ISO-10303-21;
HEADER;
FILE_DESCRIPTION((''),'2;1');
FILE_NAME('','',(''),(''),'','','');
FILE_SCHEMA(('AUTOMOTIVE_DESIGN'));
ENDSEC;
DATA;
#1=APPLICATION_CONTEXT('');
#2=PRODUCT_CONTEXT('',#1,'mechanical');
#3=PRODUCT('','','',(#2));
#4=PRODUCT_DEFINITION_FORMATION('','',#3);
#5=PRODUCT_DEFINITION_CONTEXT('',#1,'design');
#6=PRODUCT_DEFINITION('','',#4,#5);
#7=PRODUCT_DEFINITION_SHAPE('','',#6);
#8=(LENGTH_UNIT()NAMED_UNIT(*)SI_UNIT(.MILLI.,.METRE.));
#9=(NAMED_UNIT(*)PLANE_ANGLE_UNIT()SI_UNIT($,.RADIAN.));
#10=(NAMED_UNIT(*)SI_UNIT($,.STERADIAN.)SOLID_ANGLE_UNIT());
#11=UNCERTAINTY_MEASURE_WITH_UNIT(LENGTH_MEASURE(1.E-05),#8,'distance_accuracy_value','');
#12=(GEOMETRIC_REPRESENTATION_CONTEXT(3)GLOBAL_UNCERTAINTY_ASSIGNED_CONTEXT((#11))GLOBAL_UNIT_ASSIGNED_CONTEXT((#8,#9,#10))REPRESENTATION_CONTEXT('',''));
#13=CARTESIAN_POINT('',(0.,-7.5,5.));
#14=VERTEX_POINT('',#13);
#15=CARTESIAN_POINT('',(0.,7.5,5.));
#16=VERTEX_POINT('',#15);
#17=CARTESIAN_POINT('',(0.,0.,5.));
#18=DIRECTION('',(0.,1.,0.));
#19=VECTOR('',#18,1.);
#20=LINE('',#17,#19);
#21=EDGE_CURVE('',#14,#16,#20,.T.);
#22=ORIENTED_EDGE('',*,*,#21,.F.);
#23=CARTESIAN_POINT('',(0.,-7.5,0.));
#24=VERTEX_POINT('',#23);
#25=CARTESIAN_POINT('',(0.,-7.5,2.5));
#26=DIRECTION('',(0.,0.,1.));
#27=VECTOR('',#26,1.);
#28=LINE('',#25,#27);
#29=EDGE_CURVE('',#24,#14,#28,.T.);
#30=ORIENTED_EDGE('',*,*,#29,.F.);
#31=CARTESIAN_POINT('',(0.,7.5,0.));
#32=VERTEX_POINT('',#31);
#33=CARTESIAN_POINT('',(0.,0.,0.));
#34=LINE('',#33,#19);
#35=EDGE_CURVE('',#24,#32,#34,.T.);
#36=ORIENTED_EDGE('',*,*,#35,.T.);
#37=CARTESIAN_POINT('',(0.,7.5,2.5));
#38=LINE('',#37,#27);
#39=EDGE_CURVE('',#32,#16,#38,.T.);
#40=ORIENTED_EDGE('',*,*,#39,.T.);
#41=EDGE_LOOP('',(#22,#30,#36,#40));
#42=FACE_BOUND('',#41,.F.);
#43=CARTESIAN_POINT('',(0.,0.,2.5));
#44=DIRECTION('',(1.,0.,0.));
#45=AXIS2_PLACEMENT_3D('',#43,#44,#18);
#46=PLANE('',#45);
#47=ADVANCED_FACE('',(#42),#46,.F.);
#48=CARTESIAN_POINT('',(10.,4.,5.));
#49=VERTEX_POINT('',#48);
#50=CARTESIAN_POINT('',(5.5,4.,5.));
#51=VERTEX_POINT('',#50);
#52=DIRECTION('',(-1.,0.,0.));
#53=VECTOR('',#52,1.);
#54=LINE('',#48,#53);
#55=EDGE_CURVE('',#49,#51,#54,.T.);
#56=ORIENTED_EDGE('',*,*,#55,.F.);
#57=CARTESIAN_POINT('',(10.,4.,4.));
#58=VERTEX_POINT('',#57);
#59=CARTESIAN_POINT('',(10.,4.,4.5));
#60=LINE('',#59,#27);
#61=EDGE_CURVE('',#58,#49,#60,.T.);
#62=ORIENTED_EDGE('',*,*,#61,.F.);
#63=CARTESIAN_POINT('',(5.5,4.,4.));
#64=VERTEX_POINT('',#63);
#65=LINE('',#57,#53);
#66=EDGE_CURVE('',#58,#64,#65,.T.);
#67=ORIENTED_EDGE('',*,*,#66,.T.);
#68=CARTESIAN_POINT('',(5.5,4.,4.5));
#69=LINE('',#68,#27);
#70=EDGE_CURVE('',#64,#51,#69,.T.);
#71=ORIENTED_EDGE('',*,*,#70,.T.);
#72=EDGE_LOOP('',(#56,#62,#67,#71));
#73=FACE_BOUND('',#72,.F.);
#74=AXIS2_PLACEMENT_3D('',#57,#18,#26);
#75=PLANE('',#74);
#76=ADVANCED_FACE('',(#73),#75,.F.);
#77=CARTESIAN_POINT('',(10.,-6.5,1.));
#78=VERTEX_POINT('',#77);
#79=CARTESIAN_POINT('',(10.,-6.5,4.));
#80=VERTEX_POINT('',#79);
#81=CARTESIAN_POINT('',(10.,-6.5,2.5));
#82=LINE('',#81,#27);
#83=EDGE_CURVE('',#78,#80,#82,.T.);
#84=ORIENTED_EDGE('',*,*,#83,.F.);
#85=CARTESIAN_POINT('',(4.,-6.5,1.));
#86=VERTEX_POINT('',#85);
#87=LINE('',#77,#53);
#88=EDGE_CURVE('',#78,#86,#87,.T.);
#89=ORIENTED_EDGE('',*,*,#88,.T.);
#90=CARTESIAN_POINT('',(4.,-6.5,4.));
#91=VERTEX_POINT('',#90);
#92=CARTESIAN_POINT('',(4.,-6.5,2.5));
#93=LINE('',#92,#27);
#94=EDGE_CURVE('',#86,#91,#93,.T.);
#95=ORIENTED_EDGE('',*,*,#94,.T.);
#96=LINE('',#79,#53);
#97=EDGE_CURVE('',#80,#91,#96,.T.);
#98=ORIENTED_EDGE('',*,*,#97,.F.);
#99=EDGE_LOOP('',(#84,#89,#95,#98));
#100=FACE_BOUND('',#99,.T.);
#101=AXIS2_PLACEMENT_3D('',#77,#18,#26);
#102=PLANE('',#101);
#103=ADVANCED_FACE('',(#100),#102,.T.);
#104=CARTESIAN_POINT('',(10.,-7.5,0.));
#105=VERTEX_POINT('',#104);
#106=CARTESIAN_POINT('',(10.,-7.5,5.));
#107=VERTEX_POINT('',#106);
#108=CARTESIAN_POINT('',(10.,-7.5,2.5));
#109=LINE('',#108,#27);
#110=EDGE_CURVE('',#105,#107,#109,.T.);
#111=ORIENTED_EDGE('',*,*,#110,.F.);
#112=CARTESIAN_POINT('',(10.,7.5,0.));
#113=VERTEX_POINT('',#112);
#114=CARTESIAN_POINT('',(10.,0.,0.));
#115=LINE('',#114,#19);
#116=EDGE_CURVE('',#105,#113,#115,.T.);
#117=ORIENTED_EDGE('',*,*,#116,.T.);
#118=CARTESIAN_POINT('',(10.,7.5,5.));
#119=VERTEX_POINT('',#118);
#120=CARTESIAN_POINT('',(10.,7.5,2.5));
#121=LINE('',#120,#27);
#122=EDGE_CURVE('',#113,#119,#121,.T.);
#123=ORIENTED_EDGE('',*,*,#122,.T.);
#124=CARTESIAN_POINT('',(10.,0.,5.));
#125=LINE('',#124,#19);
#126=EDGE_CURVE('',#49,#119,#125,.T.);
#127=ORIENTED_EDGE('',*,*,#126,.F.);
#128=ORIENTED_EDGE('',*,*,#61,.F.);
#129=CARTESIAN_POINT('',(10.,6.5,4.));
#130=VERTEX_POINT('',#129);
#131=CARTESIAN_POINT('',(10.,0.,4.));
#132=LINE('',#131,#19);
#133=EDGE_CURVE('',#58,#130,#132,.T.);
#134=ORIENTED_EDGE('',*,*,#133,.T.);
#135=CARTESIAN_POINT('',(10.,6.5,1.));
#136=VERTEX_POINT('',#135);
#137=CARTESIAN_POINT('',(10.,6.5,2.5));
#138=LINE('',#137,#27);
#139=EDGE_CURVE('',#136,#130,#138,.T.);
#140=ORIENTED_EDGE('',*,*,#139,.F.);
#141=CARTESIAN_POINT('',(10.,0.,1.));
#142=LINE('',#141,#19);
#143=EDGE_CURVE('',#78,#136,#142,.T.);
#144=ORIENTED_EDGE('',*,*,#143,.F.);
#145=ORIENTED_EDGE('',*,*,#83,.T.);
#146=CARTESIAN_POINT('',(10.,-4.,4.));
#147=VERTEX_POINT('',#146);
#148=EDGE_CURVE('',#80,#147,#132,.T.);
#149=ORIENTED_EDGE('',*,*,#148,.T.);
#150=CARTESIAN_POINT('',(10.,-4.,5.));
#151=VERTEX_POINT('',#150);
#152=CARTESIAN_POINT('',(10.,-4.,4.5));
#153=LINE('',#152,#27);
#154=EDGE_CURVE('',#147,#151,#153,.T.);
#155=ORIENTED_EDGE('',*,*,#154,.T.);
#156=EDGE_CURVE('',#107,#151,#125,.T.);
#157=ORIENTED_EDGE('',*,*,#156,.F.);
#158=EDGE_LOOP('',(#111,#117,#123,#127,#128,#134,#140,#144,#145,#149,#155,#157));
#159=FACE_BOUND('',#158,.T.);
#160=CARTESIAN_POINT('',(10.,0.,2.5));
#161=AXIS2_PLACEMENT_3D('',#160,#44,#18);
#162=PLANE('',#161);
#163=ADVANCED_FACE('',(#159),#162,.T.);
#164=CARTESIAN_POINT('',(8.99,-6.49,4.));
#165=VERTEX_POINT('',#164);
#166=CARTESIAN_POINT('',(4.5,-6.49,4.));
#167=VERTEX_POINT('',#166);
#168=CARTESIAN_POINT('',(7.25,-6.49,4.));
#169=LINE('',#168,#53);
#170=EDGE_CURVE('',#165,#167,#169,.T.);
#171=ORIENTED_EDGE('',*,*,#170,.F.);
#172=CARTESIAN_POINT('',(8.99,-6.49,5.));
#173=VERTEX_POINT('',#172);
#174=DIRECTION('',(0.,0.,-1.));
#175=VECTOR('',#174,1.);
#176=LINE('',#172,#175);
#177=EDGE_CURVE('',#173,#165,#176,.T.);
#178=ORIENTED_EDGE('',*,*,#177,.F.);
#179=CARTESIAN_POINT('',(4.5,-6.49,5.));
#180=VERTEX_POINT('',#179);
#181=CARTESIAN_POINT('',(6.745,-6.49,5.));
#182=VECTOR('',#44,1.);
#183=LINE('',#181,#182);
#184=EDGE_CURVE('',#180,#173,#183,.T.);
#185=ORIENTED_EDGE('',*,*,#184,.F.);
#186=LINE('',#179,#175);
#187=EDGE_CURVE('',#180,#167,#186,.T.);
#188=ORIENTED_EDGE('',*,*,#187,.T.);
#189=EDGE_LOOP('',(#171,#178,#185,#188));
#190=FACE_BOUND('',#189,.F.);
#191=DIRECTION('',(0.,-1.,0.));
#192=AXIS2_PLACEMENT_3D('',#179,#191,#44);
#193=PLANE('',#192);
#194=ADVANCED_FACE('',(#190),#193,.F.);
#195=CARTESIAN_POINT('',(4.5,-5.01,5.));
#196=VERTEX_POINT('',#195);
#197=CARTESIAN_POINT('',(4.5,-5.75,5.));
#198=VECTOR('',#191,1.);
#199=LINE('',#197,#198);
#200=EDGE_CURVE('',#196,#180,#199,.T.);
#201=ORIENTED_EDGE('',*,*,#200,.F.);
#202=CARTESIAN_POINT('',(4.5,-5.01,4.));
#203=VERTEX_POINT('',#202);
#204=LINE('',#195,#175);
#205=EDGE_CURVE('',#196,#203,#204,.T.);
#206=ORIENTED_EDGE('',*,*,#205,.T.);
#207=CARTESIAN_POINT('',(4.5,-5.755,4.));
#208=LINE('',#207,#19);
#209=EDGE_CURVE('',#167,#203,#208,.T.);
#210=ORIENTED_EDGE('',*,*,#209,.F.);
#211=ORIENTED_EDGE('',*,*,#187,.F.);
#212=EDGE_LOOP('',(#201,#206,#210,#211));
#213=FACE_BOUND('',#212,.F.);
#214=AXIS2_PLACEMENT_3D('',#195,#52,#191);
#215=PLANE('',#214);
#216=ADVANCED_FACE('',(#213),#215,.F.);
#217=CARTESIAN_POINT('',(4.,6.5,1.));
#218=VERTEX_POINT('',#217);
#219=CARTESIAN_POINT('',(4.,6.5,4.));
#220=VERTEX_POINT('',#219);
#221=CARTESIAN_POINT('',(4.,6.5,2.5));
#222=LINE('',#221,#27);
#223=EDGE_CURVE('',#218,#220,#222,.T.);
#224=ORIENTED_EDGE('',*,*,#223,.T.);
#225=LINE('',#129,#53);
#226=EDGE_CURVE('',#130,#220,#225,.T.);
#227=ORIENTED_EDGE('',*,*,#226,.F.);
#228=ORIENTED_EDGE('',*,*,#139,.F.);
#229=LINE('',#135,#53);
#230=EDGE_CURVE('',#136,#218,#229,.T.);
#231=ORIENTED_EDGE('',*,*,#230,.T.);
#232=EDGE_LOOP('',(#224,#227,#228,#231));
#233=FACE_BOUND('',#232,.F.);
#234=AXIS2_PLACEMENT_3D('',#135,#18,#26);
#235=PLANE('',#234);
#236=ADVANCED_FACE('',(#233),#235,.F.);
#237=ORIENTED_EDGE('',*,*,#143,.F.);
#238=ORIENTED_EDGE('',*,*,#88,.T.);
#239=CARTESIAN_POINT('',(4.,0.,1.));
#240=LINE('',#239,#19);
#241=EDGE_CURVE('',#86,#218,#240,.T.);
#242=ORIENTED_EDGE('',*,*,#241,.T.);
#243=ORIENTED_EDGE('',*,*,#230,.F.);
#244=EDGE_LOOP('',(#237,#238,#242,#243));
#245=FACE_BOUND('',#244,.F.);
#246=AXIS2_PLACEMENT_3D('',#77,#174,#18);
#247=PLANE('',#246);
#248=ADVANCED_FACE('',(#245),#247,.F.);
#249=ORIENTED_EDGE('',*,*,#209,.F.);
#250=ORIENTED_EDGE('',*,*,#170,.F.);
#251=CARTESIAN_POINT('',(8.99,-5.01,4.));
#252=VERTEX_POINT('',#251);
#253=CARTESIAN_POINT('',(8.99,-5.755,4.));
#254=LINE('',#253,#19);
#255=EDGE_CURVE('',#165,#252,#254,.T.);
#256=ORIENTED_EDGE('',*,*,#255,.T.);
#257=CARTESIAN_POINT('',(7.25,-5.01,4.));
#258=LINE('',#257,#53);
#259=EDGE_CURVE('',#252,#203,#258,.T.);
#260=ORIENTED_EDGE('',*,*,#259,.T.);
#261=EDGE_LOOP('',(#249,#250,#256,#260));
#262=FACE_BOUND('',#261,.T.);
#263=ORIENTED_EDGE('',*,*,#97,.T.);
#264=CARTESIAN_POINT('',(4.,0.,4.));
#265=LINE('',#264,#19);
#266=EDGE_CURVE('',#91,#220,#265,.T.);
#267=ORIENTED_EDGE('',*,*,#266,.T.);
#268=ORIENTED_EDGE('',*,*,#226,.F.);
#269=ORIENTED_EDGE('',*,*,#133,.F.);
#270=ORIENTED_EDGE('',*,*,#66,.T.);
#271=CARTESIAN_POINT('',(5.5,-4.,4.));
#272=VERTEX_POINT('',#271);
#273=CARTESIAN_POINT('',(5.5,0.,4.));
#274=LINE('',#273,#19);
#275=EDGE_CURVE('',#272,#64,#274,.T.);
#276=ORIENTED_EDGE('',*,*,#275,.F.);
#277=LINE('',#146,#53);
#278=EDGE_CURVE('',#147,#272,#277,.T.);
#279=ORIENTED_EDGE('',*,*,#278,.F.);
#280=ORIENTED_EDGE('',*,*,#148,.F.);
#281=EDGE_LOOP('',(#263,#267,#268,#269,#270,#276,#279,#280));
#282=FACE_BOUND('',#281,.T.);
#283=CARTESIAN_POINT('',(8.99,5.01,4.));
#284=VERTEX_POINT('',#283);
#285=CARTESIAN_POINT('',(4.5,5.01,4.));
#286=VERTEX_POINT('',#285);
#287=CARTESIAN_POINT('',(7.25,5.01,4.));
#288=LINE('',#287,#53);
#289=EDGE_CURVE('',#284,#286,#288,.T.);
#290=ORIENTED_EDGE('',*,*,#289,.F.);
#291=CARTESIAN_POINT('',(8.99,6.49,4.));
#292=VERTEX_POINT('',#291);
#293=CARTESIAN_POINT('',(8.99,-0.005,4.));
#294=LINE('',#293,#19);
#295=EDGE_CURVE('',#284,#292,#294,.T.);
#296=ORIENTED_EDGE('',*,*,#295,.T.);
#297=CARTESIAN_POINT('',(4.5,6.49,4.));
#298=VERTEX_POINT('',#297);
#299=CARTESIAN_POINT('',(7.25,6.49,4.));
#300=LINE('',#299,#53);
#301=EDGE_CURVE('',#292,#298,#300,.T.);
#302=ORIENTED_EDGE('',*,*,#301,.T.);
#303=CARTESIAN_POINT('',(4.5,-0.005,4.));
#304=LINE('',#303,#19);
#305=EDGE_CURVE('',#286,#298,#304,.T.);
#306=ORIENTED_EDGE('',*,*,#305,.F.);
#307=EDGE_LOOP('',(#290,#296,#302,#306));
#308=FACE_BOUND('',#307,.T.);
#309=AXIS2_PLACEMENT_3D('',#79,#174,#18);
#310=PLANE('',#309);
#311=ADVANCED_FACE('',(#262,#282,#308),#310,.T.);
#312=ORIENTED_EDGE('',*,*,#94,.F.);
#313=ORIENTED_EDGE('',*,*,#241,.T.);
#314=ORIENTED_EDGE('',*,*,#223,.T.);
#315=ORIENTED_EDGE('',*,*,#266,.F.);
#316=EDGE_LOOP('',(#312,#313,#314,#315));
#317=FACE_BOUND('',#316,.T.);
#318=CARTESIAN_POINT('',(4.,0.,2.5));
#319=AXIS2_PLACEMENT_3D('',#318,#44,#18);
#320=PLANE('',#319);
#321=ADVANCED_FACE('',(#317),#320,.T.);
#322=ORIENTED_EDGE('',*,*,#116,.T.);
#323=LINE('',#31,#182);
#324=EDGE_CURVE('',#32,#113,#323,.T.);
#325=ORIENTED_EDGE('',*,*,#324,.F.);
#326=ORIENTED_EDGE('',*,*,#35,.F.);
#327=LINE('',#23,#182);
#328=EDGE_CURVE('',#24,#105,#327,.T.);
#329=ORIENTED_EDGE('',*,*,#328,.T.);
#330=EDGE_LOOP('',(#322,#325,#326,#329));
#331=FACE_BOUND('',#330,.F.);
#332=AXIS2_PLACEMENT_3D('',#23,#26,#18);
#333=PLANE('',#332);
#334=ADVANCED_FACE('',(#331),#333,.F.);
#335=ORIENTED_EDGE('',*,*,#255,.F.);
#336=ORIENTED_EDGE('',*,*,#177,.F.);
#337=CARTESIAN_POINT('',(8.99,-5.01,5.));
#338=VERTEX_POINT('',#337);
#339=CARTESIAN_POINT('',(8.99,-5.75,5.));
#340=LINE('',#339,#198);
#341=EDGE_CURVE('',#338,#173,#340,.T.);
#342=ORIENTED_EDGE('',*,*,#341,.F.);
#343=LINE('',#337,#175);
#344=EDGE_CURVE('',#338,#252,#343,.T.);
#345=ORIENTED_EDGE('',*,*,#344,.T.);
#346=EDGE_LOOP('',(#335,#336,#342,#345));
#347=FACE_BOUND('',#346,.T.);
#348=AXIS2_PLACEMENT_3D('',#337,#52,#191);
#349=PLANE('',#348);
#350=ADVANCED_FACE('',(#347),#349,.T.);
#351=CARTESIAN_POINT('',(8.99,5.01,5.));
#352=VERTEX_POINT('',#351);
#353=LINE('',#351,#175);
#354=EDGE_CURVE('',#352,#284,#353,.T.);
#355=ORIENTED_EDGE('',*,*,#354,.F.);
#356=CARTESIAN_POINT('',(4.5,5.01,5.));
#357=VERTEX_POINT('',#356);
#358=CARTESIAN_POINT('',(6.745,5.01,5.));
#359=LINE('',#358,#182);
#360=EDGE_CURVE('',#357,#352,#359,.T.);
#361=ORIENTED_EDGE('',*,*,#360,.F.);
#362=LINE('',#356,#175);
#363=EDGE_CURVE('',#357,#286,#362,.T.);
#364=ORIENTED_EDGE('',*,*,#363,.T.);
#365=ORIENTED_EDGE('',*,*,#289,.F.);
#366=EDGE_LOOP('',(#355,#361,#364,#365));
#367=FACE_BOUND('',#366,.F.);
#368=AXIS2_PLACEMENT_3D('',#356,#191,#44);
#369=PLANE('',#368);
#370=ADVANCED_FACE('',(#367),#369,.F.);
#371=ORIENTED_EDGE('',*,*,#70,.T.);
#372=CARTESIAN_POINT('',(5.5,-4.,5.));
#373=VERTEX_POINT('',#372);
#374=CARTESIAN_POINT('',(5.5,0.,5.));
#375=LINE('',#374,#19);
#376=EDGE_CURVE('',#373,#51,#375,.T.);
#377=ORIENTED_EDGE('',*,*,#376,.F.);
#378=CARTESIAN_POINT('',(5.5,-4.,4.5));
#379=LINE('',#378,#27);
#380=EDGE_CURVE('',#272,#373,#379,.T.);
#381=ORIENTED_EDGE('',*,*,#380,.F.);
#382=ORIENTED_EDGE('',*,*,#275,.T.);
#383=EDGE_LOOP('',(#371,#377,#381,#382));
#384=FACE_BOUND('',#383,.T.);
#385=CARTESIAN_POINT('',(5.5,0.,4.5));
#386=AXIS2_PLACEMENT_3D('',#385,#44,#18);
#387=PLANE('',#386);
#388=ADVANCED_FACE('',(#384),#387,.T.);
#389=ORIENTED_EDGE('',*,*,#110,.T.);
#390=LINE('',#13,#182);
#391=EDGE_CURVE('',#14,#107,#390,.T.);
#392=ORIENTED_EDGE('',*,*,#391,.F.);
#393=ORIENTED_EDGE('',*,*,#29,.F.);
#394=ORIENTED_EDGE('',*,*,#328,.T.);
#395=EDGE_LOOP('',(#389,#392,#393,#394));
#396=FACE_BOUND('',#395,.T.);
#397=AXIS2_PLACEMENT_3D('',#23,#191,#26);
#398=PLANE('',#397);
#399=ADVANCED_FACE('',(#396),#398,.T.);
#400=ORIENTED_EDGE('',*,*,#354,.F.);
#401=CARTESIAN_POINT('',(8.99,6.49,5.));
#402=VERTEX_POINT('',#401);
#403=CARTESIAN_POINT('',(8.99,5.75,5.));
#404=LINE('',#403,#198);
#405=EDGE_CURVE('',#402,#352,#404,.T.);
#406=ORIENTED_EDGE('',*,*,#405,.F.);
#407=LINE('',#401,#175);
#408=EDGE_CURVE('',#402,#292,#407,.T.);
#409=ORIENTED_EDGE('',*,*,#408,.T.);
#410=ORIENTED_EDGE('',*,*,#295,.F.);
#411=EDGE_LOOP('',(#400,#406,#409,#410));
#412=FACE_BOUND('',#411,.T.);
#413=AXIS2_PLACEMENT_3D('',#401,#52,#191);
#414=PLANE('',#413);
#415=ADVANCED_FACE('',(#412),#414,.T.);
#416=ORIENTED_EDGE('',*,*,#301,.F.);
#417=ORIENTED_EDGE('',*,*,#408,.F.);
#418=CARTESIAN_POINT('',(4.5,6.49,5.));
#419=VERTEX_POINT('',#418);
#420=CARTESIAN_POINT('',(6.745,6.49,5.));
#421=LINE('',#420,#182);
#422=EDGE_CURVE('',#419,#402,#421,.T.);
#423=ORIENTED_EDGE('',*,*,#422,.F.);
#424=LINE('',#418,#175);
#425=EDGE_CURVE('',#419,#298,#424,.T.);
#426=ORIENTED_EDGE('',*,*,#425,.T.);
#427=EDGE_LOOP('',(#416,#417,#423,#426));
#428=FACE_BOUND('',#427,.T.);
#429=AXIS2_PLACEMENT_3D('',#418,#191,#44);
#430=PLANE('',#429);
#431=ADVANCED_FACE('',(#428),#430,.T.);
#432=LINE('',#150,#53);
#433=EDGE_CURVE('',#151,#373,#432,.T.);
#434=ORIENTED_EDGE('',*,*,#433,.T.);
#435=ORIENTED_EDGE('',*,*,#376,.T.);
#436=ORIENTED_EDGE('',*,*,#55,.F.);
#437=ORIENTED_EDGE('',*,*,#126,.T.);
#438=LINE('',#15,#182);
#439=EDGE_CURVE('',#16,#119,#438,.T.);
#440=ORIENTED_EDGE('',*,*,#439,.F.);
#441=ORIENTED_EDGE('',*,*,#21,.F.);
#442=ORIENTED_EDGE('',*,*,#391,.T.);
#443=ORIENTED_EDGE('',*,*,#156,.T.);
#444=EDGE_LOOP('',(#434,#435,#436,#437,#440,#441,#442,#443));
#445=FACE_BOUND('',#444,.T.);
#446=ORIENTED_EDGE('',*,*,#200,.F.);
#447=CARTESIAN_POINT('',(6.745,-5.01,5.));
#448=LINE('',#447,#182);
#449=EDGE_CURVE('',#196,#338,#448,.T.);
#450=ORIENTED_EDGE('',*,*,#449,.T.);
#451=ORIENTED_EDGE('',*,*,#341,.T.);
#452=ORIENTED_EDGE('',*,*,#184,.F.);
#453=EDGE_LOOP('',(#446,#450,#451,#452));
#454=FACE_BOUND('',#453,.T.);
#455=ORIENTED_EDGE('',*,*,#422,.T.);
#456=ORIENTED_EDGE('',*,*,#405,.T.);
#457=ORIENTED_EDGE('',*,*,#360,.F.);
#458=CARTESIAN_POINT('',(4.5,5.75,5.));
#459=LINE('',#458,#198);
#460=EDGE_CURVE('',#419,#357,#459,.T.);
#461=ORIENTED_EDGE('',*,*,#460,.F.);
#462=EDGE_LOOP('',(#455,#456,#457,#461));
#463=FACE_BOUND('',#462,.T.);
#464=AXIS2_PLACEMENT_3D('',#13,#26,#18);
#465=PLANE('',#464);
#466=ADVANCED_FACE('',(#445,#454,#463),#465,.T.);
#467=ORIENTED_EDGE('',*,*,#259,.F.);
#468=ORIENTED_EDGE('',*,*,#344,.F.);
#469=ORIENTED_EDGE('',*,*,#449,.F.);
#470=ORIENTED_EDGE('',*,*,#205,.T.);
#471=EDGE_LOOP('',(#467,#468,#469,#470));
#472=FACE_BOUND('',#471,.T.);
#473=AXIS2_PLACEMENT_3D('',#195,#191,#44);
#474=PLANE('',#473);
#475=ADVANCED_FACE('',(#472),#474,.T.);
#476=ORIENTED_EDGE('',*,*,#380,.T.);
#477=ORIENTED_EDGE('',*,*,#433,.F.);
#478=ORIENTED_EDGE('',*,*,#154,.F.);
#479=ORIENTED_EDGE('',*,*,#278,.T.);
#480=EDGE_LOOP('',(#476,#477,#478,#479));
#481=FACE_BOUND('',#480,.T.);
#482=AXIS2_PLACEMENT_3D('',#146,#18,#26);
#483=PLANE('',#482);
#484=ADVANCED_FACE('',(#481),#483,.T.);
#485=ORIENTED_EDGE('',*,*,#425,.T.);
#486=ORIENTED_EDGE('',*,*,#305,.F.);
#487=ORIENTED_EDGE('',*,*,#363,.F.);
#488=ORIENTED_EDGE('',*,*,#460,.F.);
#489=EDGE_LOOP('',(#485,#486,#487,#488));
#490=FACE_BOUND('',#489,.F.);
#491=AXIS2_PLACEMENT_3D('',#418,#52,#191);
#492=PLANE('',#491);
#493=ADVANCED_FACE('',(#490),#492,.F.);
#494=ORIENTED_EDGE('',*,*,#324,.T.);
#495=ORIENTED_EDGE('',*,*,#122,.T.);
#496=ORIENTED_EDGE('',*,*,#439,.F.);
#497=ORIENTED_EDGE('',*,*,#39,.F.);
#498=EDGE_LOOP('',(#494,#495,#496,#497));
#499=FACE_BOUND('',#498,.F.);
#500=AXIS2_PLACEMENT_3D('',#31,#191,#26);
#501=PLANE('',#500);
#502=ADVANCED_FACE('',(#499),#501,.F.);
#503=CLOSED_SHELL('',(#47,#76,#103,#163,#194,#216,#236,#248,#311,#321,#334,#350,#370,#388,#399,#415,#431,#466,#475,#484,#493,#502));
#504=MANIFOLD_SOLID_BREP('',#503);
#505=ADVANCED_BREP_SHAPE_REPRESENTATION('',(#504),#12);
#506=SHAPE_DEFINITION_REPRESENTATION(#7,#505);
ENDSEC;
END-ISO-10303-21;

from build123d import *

# Parameters (mm, degrees)
SKETCH014_W     = 15
SKETCH014_H     = 5
PAD006_DEPTH    = 10
SKETCH015_W     = 13
SKETCH015_H     = 3
POCKET011_DEPTH = 6
SKETCH016_W     = 8
SKETCH016_H     = 1
POCKET012_DEPTH = 4.5
SKETCH017_W     = 1.48
SKETCH017_H     = 4.49
POCKET014_DEPTH = 2


with BuildPart() as part:
    # Sketch014 → Pad006 (new body)
    with BuildSketch(Plane.YZ):
        with Locations((0, 2.5)):
            Rectangle(SKETCH014_W, SKETCH014_H)
    extrude(amount=PAD006_DEPTH)

    # Sketch015 (on Face6 of Pad006) → Pocket011 (cut)
    with BuildSketch(Plane.YZ.offset(10)):
        with Locations((0, 2.5)):
            Rectangle(SKETCH015_W, SKETCH015_H)
    extrude(amount=-POCKET011_DEPTH, mode=Mode.SUBTRACT)

    # Sketch016 (on Face5 of Pocket011) → Pocket012 (cut)
    with BuildSketch(Plane.YZ.offset(10)):
        with Locations((0, 4.5)):
            Rectangle(SKETCH016_W, SKETCH016_H)
    extrude(amount=-POCKET012_DEPTH, mode=Mode.SUBTRACT)

    # Sketch017 (on Face6 of Pocket012) → Pocket014 (cut)
    with BuildSketch(Plane(origin=(0, 0, 5), x_dir=(0, -1, 0), z_dir=(0, 0, 1))):
        with Locations((-5.75, 6.745)):
            Rectangle(SKETCH017_W, SKETCH017_H)
        with Locations((5.75, 6.745)):
            Rectangle(SKETCH017_W, SKETCH017_H)
    extrude(amount=-POCKET014_DEPTH, mode=Mode.SUBTRACT)


solid = part.part
